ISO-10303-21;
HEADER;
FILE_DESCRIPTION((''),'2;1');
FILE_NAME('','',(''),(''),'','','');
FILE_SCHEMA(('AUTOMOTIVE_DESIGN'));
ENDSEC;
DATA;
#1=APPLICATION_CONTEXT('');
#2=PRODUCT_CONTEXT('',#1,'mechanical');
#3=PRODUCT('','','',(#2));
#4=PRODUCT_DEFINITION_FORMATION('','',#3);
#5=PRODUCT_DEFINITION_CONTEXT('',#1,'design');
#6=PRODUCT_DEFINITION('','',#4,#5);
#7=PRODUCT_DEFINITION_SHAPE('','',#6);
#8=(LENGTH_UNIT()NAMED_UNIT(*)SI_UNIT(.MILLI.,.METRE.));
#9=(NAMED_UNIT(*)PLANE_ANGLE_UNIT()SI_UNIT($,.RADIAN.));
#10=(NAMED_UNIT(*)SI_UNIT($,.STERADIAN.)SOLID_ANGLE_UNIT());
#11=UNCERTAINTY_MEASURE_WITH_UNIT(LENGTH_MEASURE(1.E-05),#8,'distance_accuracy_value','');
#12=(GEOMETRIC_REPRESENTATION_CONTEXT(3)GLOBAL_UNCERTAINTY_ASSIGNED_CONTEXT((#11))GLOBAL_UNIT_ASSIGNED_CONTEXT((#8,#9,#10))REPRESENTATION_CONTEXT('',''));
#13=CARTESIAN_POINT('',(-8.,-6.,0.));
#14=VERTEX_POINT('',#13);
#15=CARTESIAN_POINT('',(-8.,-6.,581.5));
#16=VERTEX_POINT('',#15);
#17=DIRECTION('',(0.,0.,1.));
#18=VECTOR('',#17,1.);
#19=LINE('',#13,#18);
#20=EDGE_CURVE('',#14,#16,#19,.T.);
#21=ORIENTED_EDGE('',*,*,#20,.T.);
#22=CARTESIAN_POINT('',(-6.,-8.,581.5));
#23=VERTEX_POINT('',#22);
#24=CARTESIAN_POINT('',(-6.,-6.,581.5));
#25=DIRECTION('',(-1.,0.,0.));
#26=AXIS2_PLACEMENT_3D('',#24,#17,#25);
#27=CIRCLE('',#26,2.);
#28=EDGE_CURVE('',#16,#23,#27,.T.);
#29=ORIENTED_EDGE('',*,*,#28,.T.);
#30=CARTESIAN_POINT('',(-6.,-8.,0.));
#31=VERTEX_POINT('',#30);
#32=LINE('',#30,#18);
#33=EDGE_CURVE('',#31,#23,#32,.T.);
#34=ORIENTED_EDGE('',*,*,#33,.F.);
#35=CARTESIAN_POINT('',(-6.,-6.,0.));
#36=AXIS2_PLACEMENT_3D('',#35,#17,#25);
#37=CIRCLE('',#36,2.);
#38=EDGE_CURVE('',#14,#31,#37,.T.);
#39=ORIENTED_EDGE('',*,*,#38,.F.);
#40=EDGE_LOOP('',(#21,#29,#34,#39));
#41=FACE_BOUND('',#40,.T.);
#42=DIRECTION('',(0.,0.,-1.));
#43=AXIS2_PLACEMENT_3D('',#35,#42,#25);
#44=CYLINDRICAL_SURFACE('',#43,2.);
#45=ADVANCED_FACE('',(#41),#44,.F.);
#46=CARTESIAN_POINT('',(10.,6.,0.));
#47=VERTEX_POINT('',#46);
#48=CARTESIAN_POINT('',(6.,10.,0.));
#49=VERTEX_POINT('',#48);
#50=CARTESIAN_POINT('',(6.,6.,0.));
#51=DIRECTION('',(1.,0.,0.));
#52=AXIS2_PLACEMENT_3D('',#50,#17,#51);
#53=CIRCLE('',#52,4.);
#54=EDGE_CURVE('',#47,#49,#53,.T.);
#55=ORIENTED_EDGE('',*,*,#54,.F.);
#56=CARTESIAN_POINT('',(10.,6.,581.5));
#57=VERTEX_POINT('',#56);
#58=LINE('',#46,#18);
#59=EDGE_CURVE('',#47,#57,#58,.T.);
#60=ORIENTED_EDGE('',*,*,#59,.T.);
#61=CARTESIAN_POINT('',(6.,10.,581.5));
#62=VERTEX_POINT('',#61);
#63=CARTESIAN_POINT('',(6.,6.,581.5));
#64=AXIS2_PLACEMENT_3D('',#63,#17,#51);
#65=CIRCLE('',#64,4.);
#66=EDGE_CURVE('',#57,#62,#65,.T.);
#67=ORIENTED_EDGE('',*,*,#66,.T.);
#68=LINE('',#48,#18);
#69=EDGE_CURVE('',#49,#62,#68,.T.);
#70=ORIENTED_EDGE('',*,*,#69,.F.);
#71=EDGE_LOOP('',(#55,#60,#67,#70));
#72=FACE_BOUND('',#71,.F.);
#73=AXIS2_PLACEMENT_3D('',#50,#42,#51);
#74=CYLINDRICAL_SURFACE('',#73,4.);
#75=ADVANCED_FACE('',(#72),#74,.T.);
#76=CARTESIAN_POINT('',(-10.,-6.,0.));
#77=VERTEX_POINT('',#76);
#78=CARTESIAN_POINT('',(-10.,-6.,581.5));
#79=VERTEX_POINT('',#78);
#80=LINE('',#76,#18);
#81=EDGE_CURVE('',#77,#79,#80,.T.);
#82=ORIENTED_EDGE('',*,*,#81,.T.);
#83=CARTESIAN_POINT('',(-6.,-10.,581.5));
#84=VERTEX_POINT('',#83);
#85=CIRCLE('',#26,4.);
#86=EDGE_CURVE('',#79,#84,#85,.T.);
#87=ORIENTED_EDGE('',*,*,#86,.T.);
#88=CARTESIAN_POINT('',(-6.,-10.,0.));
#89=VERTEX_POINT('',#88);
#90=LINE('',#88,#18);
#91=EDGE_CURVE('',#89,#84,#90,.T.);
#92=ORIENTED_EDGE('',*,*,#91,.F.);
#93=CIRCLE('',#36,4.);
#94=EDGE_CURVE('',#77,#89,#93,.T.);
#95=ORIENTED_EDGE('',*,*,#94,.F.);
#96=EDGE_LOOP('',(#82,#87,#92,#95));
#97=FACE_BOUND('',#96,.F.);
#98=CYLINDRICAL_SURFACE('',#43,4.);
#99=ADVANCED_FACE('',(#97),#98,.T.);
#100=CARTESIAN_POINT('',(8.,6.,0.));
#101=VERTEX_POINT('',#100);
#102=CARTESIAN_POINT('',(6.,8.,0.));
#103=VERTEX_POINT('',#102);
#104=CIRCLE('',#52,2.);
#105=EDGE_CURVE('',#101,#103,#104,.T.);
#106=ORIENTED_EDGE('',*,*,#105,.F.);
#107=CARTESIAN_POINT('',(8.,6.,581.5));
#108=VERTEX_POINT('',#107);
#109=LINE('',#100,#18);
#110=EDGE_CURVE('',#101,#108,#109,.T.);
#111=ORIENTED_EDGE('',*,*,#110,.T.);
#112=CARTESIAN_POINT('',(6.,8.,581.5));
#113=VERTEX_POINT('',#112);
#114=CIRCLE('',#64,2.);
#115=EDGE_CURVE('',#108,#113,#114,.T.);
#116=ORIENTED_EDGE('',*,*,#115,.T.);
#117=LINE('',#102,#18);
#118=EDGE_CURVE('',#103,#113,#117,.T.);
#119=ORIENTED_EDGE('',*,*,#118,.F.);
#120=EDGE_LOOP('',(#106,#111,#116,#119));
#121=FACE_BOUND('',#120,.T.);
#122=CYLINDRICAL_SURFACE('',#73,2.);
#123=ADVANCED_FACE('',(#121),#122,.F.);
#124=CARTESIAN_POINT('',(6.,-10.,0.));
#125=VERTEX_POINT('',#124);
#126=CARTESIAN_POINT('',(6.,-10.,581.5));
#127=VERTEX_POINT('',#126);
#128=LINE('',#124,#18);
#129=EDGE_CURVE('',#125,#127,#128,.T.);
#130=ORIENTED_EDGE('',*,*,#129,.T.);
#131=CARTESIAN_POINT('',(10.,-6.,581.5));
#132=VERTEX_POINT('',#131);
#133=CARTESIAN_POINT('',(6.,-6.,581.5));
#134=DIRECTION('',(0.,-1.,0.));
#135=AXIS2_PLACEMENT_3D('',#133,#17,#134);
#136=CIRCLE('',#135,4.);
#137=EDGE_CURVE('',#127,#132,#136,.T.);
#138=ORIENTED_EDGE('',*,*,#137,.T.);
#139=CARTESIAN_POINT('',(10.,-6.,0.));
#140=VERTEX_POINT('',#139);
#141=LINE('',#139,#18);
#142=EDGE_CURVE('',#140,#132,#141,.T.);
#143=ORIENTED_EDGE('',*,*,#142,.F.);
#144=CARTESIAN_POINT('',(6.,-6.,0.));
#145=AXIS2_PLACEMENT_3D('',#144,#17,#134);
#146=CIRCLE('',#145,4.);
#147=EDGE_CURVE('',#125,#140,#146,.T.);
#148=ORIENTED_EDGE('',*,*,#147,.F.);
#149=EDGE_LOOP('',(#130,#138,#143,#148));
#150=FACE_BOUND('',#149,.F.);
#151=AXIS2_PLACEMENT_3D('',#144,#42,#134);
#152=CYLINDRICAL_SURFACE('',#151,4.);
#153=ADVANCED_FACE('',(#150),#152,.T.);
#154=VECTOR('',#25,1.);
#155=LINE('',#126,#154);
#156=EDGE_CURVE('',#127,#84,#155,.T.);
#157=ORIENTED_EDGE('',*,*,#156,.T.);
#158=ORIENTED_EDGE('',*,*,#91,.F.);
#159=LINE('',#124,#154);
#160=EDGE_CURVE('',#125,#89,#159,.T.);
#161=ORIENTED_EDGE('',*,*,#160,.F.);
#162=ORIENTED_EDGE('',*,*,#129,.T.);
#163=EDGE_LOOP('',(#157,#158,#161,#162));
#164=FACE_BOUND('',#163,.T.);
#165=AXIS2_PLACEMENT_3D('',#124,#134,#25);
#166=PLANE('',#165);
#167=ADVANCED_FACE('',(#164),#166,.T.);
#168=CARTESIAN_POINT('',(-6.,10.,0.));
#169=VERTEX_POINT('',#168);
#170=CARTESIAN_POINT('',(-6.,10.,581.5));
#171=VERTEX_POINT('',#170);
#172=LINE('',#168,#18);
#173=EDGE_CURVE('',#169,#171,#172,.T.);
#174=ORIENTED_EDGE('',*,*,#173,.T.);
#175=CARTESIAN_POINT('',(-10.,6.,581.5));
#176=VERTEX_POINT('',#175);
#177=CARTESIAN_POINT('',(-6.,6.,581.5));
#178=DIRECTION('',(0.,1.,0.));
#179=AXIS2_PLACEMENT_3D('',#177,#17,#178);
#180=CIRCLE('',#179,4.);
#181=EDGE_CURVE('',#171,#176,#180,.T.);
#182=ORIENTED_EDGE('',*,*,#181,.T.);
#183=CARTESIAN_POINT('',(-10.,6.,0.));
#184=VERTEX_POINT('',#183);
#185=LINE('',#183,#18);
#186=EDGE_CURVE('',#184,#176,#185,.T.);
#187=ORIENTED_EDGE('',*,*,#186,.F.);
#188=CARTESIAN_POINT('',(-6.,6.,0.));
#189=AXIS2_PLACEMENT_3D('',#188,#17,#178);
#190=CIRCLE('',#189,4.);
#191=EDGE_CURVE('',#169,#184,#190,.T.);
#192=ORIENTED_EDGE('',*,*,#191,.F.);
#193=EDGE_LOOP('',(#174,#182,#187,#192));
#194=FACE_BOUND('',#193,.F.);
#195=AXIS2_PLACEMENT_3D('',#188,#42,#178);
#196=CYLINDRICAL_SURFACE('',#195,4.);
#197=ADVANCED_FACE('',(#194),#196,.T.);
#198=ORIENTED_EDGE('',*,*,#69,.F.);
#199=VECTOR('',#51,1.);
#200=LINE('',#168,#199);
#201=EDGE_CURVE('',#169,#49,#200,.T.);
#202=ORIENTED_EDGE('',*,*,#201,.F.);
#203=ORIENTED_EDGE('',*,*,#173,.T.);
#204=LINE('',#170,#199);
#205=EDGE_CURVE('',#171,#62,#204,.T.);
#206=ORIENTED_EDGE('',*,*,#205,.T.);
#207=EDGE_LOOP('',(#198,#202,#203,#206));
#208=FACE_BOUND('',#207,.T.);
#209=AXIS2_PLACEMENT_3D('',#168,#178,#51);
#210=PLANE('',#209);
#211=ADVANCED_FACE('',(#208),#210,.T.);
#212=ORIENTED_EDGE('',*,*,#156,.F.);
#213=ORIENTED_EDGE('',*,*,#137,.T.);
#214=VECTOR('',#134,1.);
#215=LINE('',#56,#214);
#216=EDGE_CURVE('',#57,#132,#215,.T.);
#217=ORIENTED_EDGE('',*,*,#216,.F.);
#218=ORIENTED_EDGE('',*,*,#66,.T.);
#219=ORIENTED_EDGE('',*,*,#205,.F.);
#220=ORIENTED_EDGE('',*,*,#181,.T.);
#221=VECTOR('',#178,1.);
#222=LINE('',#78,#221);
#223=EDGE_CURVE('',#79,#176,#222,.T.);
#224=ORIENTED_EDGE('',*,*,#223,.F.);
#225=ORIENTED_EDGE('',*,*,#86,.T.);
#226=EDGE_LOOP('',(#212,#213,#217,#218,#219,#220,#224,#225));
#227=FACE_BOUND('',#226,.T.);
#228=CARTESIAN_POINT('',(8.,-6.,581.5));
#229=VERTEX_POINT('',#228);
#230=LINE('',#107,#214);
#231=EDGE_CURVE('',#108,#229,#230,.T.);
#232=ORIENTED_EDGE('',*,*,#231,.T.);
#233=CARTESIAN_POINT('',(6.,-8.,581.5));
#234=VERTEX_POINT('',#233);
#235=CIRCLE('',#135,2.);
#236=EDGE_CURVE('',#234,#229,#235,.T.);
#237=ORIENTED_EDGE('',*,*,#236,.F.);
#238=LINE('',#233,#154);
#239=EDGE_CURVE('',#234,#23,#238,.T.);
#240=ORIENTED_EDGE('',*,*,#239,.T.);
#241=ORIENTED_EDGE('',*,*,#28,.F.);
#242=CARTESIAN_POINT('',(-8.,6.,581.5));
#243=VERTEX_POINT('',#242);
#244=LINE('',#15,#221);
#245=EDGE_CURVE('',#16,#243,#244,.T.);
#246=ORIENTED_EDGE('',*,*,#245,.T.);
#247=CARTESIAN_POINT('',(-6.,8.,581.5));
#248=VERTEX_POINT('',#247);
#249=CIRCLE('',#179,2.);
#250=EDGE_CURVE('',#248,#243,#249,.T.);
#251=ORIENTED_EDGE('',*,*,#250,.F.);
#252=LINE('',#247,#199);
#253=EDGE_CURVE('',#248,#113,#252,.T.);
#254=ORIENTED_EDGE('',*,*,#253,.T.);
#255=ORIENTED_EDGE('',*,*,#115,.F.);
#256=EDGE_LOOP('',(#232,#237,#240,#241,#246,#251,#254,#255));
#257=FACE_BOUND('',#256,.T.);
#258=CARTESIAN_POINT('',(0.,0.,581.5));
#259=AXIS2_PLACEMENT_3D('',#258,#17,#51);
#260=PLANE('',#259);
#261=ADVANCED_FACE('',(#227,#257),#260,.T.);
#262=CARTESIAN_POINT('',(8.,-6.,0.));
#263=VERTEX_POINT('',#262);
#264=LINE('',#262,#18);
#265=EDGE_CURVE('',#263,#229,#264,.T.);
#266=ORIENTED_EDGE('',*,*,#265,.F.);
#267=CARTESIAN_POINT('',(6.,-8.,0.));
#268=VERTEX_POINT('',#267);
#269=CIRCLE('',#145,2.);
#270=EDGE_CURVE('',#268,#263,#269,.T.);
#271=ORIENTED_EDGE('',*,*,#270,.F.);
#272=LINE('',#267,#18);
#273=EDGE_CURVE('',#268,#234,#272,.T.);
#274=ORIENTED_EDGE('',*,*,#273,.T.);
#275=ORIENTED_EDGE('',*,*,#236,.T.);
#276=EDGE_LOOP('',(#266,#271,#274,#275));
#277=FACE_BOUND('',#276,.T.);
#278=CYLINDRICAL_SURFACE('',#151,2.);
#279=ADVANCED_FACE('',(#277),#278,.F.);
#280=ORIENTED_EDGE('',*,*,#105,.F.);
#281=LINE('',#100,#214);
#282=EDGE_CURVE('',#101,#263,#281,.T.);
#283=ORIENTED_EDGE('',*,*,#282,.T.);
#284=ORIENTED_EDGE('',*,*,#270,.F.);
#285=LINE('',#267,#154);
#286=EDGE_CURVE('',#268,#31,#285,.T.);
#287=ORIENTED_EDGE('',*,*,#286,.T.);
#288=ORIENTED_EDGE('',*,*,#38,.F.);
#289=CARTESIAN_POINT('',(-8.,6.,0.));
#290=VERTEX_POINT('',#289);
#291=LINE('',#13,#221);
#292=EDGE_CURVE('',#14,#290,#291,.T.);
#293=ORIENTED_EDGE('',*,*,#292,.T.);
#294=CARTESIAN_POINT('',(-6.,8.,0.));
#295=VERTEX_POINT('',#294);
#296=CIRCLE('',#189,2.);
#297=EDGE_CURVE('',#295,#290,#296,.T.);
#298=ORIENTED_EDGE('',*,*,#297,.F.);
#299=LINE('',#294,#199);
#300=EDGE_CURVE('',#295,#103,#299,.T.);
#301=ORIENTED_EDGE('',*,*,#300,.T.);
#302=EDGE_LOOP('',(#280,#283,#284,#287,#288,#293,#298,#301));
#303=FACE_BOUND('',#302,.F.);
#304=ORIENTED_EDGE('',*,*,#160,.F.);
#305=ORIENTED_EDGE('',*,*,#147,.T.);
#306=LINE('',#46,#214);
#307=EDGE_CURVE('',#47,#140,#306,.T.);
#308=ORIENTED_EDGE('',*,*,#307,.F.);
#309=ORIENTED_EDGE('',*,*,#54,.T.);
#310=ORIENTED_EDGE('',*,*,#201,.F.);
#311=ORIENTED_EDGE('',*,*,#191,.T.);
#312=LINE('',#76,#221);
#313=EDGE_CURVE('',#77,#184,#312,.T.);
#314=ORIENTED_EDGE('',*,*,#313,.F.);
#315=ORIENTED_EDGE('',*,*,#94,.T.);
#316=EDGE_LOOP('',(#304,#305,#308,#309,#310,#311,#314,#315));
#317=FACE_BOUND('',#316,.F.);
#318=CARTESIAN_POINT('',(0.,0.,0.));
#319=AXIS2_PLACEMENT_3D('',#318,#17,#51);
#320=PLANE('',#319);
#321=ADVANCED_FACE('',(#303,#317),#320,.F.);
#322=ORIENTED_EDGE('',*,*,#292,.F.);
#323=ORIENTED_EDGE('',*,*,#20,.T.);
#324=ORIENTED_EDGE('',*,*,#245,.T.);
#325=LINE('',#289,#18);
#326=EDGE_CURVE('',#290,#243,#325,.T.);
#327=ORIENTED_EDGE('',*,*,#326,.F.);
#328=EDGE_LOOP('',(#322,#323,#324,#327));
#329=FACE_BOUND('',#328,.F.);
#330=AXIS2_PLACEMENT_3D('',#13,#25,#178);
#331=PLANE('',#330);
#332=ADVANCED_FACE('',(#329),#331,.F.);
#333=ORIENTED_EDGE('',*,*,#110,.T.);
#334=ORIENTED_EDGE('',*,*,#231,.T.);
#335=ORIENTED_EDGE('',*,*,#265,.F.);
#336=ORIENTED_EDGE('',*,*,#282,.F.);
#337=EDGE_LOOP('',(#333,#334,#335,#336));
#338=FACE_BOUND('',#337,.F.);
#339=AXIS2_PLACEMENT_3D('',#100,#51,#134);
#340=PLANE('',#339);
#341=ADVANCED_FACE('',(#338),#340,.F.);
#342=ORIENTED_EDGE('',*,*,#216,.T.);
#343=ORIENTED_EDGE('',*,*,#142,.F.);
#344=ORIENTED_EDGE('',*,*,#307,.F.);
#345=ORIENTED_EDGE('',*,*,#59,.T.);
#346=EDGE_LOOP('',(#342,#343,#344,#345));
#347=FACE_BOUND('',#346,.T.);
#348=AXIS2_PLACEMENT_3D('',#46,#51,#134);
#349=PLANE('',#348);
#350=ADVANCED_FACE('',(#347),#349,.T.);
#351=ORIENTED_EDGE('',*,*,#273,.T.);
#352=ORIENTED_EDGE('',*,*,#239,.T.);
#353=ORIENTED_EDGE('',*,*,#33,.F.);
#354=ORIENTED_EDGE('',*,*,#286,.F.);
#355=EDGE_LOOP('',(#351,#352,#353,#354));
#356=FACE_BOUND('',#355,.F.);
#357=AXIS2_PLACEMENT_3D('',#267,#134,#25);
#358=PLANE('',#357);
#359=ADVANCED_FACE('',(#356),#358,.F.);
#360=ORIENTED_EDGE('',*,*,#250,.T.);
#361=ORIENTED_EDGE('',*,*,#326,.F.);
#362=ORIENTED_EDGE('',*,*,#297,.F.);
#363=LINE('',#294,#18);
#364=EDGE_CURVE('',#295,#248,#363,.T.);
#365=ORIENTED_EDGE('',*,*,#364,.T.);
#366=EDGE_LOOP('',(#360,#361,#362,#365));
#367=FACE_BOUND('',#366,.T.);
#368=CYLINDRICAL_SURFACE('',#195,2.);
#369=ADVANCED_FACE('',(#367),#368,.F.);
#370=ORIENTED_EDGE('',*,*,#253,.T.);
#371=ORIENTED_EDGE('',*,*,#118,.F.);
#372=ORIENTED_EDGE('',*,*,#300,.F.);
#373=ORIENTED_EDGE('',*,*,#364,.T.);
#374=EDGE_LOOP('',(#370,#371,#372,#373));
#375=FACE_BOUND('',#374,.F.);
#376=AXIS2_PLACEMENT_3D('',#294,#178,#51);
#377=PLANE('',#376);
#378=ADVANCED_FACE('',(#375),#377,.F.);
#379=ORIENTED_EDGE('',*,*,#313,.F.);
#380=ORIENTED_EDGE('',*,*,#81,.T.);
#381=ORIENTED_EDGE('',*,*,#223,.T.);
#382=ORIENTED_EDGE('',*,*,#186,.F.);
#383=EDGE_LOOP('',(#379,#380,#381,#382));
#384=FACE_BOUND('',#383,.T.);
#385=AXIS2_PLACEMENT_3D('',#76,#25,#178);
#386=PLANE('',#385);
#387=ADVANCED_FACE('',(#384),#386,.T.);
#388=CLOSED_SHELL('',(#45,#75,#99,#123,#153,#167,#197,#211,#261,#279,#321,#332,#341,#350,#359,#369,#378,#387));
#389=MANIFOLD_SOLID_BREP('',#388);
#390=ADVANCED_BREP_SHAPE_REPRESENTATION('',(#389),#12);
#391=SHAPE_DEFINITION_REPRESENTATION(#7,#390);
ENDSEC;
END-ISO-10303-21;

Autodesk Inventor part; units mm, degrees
ref_plane "YZ Plane" through (0, 0, 0) normal (1, 0, 0) x (0, 1, 0)
ref_plane "Plan de départ" through (0, 0, 0) normal (0, 0, 1) x (1, 0, 0)
ref_plane "Plan de fin" through (0, 0, 581.5) normal (0, 0, 1) x (1, 0, 0)
sketch "Esquisse" plane through (0, 0, 0) normal (0, 0, 1) x (1, 0, 0)
  line L0 (-10, -6) -> (-10, 6)
  line L1 (-6, 10) -> (6, 10)
  line L2 (10, 6) -> (10, -6)
  line L3 (6, -10) -> (-6, -10)
  arc A0 (-10, -6) -> (-6, -10) centre (-6, -6) ccw
  arc A1 (10, 6) -> (6, 10) centre (6, 6) ccw
  arc A2 (-6, 10) -> (-10, 6) centre (-6, 6) ccw
  arc A3 (6, -10) -> (10, -6) centre (6, -6) ccw
  arc A4 (-6, 8) -> (-8, 6) centre (-6, 6) ccw
  line L4 (-6, 8) -> (6, 8)
  arc A5 (8, 6) -> (6, 8) centre (6, 6) ccw
  line L5 (8, 6) -> (8, -6)
  arc A6 (6, -8) -> (8, -6) centre (6, -6) ccw
  line L6 (6, -8) -> (-6, -8)
  arc A7 (-8, -6) -> (-6, -8) centre (-6, -6) ccw
  line L7 (-8, -6) -> (-8, 6)
  line L8 (0, 15.1598) -> (0, -15.1598) construction
  line L9 (-15.1598, 0) -> (15.1598, 0) construction
  dimension "d7" = 4
  dimension "d9" = 20
  dimension "d11" = 20
  dimension "d12" = 2
  dimension "d15" = 10
  dimension "d16" = 10
extrude "Corps" add sketch "Esquisse" along normal up to surface (581.5 mm away) from surface at 0
sketch "Sketch3" plane through (0, 0, 0) normal (0, 0, 1) x (1, 0, 0)
  line L0 (0, 0) -> (10, 0)
ref_plane "Work Plane3" through (0, 0, 0) normal (0, -1, 0) x (1, 0, 0)
sketch "Sketch4" plane through (0, 0, 0) normal (0, -1, 0) x (1, 0, 0)
  line L0 (-2, 0) -> (12, 0) projected
  line L1 (-2, 581.5) -> (12, 581.5) projected
  dimension "d18" = 581.5
equation "\"d7\" = G_IR"
equation "\"d9\" = G_W"
equation "\"d11\" = G_H"
equation "\"d12\" = G_T"
equation "\"d15\" = 0.5 * d9"
equation "\"d16\" = 0.5 * d11"
equation "\"d3\" = G_L"
equation "\"G_W\" = 20"
equation "\"G_H\" = 20"
equation "\"G_T\" = 2"
equation "\"G_IR\" = 4"
equation "\"G_L\" = d18"
equation "\"G_OFFSET_START\" = 0"
equation "\"G_OFFSET_END\" = 0"
equation "\"d14\" = G_OFFSET_END + B_L"
equation "\"B_L\" = 581.5"
properties part number "ISO 10799-2 - 20x20x2 - 581,5" material "Acier, doux"
